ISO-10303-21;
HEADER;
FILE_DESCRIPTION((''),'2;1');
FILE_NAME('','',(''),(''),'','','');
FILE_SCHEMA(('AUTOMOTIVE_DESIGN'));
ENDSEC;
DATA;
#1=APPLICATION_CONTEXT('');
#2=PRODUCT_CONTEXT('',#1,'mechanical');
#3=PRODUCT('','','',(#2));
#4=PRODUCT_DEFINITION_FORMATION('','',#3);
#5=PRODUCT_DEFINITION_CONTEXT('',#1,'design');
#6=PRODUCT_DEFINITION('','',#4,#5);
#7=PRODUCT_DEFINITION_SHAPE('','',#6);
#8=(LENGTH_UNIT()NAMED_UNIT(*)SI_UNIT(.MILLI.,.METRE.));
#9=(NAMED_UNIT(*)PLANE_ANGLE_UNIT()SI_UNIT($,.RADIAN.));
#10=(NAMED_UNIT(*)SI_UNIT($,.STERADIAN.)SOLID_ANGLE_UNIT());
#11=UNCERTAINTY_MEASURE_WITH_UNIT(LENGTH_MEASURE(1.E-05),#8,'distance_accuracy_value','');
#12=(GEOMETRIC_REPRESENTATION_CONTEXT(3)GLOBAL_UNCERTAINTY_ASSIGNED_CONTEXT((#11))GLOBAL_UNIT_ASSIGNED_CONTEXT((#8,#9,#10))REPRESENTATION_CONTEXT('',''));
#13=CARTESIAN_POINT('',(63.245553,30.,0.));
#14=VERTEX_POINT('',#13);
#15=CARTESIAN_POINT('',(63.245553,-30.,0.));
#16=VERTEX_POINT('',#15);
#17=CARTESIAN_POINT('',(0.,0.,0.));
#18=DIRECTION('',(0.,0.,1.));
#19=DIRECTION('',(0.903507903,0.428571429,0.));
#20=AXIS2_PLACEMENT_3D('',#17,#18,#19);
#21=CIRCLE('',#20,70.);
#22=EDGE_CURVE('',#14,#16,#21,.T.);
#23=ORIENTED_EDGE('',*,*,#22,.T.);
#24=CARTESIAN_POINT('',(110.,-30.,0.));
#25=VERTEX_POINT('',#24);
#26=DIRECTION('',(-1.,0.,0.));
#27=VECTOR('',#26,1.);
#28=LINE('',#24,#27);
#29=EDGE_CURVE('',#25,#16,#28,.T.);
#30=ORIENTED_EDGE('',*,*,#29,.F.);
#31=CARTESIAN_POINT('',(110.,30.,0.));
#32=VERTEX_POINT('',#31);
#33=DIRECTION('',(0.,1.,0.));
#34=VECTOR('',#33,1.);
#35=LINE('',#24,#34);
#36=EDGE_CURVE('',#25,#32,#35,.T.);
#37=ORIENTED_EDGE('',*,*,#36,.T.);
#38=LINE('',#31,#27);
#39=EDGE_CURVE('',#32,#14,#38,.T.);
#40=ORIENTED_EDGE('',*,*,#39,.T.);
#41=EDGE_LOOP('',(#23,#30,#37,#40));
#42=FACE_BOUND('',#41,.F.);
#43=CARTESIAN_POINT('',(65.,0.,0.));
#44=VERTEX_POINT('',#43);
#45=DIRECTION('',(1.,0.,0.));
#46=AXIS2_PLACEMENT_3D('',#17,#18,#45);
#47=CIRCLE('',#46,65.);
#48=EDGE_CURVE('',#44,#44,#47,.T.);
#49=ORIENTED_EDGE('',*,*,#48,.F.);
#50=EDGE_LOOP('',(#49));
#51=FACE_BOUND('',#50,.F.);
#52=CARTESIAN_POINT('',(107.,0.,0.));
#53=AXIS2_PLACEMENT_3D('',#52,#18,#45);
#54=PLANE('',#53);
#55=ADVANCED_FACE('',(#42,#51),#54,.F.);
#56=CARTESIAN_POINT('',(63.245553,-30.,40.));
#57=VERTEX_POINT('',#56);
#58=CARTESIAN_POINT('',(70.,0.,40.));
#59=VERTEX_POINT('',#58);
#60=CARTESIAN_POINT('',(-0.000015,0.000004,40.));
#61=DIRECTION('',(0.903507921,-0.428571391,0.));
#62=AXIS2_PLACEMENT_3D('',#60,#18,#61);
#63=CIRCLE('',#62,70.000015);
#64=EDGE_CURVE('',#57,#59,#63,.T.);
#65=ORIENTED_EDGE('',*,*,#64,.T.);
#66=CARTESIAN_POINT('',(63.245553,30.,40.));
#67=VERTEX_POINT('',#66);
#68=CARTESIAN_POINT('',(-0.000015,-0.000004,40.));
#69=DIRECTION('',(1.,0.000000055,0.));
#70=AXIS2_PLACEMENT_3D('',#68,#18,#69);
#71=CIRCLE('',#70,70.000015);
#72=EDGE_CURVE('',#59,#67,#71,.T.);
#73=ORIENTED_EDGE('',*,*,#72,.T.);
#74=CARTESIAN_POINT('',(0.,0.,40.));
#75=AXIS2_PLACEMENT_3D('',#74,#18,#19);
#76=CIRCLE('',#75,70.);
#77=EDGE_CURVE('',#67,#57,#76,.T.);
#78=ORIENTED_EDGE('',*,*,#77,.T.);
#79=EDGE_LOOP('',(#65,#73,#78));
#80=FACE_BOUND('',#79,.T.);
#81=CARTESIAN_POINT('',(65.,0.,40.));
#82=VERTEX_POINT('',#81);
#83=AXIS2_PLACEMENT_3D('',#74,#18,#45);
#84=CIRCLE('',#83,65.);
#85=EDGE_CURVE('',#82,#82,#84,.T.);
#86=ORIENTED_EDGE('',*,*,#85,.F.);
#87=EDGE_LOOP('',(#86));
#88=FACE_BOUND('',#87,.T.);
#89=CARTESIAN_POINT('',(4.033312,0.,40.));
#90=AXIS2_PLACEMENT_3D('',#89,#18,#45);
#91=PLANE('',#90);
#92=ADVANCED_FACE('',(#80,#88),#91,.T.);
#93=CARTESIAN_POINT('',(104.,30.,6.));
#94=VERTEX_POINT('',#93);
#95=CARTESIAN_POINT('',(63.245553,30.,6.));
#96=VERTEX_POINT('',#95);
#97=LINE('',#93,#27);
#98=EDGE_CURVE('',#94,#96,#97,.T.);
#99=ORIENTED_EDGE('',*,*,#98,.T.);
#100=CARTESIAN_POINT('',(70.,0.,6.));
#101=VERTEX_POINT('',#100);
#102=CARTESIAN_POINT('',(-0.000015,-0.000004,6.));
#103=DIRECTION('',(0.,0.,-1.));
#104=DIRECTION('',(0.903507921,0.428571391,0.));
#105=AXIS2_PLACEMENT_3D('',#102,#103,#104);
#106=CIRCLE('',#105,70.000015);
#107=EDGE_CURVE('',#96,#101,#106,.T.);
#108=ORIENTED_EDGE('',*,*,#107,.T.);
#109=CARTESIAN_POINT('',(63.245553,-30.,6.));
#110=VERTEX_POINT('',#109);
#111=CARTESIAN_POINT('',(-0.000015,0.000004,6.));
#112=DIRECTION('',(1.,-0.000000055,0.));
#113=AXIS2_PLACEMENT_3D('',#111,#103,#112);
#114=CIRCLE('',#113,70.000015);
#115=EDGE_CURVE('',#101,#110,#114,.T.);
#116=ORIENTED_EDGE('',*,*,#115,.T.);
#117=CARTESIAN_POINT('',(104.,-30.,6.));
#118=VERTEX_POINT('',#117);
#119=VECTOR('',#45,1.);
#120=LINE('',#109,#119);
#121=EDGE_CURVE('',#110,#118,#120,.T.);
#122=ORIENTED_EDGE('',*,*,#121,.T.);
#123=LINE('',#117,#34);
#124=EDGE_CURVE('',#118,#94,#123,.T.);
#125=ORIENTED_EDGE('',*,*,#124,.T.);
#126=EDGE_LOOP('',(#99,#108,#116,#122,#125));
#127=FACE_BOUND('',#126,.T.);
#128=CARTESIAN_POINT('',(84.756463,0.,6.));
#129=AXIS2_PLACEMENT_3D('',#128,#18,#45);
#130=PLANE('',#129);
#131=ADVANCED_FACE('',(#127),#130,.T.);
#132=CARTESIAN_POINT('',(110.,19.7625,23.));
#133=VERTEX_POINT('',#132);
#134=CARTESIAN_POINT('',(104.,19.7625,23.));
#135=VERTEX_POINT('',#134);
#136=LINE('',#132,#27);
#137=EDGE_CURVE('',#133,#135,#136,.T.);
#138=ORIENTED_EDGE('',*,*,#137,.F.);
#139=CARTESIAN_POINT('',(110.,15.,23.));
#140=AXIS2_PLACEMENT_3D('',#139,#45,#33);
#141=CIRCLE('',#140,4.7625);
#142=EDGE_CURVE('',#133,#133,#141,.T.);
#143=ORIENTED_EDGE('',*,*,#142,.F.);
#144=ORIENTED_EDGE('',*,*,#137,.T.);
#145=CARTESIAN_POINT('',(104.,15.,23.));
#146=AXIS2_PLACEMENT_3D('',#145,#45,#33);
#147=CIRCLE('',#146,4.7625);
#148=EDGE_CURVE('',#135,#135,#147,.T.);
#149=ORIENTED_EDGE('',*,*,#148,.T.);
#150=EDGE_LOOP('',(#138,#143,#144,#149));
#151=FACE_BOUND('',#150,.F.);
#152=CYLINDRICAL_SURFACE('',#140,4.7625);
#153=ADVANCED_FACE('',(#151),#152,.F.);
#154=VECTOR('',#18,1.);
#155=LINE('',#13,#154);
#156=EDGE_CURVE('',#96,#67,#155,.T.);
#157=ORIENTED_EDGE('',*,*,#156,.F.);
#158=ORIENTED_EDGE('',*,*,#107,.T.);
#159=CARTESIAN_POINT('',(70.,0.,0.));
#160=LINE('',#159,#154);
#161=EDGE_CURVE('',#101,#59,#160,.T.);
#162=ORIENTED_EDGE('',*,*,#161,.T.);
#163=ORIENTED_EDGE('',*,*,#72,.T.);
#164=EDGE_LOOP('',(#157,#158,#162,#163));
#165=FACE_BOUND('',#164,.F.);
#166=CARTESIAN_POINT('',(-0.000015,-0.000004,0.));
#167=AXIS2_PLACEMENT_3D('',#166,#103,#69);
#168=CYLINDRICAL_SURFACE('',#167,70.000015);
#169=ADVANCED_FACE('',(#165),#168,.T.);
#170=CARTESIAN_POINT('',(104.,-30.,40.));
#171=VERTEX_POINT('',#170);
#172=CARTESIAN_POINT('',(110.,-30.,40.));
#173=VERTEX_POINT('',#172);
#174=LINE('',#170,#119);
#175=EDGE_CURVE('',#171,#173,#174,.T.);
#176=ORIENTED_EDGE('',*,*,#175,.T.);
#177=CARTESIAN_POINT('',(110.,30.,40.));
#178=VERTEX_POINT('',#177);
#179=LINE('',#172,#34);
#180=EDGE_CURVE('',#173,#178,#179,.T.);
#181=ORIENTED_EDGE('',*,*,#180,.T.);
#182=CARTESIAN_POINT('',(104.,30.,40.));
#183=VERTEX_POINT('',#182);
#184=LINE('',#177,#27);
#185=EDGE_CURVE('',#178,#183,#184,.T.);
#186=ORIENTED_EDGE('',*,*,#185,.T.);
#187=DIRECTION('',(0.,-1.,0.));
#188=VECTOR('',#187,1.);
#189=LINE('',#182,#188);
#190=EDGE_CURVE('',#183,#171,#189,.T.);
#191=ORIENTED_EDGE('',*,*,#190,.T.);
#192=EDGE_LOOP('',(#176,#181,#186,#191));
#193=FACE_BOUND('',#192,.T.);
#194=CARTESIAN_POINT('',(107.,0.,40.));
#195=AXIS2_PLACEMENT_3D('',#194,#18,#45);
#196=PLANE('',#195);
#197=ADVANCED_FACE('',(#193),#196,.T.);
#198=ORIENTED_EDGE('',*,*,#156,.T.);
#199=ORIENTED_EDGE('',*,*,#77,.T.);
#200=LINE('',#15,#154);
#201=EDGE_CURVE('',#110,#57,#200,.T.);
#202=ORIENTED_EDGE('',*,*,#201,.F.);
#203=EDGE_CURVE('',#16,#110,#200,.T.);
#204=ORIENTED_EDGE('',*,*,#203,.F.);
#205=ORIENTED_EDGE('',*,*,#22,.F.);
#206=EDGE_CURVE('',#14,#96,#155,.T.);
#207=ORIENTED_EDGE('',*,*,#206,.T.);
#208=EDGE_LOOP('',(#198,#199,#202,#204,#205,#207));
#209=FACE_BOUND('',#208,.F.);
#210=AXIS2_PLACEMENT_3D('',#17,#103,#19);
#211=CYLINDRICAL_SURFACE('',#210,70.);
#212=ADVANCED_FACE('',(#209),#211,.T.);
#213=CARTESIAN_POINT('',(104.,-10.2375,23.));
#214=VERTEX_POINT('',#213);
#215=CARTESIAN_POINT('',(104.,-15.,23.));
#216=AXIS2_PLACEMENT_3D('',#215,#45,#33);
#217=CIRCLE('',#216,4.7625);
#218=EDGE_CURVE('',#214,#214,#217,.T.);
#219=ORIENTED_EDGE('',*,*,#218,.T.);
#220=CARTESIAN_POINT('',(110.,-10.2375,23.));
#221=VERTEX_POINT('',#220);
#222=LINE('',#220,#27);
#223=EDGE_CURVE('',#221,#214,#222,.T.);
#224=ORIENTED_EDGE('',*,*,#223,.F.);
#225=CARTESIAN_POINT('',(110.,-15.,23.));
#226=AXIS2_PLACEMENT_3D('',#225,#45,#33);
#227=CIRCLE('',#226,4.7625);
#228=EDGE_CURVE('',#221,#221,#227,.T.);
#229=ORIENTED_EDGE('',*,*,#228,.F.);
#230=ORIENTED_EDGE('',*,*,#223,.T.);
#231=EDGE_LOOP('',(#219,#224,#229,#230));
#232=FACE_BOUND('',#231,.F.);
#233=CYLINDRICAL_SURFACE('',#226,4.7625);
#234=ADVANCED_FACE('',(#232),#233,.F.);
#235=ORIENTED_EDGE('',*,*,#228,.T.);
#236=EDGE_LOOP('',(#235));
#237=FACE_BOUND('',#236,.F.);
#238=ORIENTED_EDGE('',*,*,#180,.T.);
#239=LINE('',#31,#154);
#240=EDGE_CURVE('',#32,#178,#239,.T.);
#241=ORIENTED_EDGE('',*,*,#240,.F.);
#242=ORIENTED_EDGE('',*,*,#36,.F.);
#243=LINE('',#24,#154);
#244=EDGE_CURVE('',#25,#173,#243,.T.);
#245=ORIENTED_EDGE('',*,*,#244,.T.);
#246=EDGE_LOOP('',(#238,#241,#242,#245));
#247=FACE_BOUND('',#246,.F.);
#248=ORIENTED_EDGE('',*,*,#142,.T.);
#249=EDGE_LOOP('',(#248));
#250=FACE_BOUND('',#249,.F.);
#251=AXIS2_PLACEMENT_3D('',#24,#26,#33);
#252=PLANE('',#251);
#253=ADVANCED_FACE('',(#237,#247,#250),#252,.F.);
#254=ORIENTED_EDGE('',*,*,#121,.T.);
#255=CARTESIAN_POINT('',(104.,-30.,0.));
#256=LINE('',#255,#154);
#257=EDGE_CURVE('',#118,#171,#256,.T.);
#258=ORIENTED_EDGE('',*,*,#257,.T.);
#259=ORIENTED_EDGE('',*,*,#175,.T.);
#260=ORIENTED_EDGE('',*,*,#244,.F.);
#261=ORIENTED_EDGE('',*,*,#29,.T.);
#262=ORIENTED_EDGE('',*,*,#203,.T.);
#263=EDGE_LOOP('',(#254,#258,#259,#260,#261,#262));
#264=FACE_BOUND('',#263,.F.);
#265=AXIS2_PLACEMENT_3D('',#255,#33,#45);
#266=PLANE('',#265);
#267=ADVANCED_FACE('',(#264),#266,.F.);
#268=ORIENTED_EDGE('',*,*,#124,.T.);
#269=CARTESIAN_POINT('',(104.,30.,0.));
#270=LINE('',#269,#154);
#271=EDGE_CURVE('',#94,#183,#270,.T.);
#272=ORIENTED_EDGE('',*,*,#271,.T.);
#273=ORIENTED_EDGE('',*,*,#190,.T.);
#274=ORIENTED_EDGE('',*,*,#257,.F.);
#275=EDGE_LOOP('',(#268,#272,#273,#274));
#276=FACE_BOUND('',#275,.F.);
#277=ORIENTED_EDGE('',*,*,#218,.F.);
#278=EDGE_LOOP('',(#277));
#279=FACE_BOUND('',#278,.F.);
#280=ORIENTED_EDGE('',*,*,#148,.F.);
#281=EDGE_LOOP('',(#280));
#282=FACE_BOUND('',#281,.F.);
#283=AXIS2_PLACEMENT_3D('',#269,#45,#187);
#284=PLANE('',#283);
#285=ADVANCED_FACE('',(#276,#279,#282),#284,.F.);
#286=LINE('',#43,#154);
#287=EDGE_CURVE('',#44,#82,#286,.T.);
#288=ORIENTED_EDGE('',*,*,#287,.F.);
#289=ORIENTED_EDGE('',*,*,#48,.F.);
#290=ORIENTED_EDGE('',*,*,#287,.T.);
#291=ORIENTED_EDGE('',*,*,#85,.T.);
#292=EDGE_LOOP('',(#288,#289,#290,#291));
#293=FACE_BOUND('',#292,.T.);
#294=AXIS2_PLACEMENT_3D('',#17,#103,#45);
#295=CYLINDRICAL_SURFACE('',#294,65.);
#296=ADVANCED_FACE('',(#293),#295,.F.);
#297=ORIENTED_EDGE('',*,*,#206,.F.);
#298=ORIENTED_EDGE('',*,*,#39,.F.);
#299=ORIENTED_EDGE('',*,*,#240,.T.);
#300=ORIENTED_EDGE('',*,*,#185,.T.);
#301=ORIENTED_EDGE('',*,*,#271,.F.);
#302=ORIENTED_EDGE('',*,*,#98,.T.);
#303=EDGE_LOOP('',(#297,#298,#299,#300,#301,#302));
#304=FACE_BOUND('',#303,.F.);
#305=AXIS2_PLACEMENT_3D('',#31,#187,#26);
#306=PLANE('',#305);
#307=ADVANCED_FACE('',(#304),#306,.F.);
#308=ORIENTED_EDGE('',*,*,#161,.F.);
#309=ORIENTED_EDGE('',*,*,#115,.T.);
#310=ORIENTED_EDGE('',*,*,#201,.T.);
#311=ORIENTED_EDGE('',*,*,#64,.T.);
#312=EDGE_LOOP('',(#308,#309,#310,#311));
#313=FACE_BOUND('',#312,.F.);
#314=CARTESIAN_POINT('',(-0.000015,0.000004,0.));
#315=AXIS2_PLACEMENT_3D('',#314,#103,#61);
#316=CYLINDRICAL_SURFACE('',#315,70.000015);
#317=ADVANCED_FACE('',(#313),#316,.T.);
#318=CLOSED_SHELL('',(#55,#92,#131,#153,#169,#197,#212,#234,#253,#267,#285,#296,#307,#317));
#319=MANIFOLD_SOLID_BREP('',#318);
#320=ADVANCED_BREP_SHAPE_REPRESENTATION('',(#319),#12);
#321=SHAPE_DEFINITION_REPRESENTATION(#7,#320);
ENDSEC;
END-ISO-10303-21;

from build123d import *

# Parameters (mm, degrees)
F0_R     = 65
F1_DEPTH = 40
F2_DEPTH = 6
F3_DEPTH = 40
F4_R     = 4.7625
F5_DEPTH = 6


with BuildPart() as f1:
    # F0 (on Top) → F1 (new body)
    with BuildSketch(Plane.XY):
        with BuildLine():
            ThreePointArc((63.245553, -30), (68.290514, -15.375488), (70, 0))
            ThreePointArc((70, 0), (68.290514, 15.375488), (63.245553, 30))
            ThreePointArc((63.245553, 30), (-70, 0), (63.245553, -30))
        make_face()
        Circle(F0_R, mode=Mode.SUBTRACT)
    extrude(amount=F1_DEPTH)

    # F0 (on Top) → F2 (join)
    with BuildSketch(Plane.XY):
        with BuildLine():
            ThreePointArc((63.245553, 30), (68.290514, 15.375488), (70, 0))
            ThreePointArc((70, 0), (68.290514, -15.375488), (63.245553, -30))
            Line((63.245553, -30), (104, -30))
            Line((104, -30), (104, 30))
            Line((104, 30), (63.245553, 30))
        make_face()
    extrude(amount=F2_DEPTH)

    # F0 (on Top) → F3 (join)
    with BuildSketch(Plane.XY):
        Polygon((110, 30), (104, 30), (104, -30), (110, -30), (110, 0), align=None)
    extrude(amount=F3_DEPTH)

    # F4 (on face) → F5 (cut)
    with BuildSketch(Plane.YZ.offset(110)):
        with Locations((-15, 23)):
            Circle(F4_R)
        with Locations((15, 23)):
            Circle(F4_R)
    extrude(amount=-F5_DEPTH, mode=Mode.SUBTRACT)


solid = f1.part
